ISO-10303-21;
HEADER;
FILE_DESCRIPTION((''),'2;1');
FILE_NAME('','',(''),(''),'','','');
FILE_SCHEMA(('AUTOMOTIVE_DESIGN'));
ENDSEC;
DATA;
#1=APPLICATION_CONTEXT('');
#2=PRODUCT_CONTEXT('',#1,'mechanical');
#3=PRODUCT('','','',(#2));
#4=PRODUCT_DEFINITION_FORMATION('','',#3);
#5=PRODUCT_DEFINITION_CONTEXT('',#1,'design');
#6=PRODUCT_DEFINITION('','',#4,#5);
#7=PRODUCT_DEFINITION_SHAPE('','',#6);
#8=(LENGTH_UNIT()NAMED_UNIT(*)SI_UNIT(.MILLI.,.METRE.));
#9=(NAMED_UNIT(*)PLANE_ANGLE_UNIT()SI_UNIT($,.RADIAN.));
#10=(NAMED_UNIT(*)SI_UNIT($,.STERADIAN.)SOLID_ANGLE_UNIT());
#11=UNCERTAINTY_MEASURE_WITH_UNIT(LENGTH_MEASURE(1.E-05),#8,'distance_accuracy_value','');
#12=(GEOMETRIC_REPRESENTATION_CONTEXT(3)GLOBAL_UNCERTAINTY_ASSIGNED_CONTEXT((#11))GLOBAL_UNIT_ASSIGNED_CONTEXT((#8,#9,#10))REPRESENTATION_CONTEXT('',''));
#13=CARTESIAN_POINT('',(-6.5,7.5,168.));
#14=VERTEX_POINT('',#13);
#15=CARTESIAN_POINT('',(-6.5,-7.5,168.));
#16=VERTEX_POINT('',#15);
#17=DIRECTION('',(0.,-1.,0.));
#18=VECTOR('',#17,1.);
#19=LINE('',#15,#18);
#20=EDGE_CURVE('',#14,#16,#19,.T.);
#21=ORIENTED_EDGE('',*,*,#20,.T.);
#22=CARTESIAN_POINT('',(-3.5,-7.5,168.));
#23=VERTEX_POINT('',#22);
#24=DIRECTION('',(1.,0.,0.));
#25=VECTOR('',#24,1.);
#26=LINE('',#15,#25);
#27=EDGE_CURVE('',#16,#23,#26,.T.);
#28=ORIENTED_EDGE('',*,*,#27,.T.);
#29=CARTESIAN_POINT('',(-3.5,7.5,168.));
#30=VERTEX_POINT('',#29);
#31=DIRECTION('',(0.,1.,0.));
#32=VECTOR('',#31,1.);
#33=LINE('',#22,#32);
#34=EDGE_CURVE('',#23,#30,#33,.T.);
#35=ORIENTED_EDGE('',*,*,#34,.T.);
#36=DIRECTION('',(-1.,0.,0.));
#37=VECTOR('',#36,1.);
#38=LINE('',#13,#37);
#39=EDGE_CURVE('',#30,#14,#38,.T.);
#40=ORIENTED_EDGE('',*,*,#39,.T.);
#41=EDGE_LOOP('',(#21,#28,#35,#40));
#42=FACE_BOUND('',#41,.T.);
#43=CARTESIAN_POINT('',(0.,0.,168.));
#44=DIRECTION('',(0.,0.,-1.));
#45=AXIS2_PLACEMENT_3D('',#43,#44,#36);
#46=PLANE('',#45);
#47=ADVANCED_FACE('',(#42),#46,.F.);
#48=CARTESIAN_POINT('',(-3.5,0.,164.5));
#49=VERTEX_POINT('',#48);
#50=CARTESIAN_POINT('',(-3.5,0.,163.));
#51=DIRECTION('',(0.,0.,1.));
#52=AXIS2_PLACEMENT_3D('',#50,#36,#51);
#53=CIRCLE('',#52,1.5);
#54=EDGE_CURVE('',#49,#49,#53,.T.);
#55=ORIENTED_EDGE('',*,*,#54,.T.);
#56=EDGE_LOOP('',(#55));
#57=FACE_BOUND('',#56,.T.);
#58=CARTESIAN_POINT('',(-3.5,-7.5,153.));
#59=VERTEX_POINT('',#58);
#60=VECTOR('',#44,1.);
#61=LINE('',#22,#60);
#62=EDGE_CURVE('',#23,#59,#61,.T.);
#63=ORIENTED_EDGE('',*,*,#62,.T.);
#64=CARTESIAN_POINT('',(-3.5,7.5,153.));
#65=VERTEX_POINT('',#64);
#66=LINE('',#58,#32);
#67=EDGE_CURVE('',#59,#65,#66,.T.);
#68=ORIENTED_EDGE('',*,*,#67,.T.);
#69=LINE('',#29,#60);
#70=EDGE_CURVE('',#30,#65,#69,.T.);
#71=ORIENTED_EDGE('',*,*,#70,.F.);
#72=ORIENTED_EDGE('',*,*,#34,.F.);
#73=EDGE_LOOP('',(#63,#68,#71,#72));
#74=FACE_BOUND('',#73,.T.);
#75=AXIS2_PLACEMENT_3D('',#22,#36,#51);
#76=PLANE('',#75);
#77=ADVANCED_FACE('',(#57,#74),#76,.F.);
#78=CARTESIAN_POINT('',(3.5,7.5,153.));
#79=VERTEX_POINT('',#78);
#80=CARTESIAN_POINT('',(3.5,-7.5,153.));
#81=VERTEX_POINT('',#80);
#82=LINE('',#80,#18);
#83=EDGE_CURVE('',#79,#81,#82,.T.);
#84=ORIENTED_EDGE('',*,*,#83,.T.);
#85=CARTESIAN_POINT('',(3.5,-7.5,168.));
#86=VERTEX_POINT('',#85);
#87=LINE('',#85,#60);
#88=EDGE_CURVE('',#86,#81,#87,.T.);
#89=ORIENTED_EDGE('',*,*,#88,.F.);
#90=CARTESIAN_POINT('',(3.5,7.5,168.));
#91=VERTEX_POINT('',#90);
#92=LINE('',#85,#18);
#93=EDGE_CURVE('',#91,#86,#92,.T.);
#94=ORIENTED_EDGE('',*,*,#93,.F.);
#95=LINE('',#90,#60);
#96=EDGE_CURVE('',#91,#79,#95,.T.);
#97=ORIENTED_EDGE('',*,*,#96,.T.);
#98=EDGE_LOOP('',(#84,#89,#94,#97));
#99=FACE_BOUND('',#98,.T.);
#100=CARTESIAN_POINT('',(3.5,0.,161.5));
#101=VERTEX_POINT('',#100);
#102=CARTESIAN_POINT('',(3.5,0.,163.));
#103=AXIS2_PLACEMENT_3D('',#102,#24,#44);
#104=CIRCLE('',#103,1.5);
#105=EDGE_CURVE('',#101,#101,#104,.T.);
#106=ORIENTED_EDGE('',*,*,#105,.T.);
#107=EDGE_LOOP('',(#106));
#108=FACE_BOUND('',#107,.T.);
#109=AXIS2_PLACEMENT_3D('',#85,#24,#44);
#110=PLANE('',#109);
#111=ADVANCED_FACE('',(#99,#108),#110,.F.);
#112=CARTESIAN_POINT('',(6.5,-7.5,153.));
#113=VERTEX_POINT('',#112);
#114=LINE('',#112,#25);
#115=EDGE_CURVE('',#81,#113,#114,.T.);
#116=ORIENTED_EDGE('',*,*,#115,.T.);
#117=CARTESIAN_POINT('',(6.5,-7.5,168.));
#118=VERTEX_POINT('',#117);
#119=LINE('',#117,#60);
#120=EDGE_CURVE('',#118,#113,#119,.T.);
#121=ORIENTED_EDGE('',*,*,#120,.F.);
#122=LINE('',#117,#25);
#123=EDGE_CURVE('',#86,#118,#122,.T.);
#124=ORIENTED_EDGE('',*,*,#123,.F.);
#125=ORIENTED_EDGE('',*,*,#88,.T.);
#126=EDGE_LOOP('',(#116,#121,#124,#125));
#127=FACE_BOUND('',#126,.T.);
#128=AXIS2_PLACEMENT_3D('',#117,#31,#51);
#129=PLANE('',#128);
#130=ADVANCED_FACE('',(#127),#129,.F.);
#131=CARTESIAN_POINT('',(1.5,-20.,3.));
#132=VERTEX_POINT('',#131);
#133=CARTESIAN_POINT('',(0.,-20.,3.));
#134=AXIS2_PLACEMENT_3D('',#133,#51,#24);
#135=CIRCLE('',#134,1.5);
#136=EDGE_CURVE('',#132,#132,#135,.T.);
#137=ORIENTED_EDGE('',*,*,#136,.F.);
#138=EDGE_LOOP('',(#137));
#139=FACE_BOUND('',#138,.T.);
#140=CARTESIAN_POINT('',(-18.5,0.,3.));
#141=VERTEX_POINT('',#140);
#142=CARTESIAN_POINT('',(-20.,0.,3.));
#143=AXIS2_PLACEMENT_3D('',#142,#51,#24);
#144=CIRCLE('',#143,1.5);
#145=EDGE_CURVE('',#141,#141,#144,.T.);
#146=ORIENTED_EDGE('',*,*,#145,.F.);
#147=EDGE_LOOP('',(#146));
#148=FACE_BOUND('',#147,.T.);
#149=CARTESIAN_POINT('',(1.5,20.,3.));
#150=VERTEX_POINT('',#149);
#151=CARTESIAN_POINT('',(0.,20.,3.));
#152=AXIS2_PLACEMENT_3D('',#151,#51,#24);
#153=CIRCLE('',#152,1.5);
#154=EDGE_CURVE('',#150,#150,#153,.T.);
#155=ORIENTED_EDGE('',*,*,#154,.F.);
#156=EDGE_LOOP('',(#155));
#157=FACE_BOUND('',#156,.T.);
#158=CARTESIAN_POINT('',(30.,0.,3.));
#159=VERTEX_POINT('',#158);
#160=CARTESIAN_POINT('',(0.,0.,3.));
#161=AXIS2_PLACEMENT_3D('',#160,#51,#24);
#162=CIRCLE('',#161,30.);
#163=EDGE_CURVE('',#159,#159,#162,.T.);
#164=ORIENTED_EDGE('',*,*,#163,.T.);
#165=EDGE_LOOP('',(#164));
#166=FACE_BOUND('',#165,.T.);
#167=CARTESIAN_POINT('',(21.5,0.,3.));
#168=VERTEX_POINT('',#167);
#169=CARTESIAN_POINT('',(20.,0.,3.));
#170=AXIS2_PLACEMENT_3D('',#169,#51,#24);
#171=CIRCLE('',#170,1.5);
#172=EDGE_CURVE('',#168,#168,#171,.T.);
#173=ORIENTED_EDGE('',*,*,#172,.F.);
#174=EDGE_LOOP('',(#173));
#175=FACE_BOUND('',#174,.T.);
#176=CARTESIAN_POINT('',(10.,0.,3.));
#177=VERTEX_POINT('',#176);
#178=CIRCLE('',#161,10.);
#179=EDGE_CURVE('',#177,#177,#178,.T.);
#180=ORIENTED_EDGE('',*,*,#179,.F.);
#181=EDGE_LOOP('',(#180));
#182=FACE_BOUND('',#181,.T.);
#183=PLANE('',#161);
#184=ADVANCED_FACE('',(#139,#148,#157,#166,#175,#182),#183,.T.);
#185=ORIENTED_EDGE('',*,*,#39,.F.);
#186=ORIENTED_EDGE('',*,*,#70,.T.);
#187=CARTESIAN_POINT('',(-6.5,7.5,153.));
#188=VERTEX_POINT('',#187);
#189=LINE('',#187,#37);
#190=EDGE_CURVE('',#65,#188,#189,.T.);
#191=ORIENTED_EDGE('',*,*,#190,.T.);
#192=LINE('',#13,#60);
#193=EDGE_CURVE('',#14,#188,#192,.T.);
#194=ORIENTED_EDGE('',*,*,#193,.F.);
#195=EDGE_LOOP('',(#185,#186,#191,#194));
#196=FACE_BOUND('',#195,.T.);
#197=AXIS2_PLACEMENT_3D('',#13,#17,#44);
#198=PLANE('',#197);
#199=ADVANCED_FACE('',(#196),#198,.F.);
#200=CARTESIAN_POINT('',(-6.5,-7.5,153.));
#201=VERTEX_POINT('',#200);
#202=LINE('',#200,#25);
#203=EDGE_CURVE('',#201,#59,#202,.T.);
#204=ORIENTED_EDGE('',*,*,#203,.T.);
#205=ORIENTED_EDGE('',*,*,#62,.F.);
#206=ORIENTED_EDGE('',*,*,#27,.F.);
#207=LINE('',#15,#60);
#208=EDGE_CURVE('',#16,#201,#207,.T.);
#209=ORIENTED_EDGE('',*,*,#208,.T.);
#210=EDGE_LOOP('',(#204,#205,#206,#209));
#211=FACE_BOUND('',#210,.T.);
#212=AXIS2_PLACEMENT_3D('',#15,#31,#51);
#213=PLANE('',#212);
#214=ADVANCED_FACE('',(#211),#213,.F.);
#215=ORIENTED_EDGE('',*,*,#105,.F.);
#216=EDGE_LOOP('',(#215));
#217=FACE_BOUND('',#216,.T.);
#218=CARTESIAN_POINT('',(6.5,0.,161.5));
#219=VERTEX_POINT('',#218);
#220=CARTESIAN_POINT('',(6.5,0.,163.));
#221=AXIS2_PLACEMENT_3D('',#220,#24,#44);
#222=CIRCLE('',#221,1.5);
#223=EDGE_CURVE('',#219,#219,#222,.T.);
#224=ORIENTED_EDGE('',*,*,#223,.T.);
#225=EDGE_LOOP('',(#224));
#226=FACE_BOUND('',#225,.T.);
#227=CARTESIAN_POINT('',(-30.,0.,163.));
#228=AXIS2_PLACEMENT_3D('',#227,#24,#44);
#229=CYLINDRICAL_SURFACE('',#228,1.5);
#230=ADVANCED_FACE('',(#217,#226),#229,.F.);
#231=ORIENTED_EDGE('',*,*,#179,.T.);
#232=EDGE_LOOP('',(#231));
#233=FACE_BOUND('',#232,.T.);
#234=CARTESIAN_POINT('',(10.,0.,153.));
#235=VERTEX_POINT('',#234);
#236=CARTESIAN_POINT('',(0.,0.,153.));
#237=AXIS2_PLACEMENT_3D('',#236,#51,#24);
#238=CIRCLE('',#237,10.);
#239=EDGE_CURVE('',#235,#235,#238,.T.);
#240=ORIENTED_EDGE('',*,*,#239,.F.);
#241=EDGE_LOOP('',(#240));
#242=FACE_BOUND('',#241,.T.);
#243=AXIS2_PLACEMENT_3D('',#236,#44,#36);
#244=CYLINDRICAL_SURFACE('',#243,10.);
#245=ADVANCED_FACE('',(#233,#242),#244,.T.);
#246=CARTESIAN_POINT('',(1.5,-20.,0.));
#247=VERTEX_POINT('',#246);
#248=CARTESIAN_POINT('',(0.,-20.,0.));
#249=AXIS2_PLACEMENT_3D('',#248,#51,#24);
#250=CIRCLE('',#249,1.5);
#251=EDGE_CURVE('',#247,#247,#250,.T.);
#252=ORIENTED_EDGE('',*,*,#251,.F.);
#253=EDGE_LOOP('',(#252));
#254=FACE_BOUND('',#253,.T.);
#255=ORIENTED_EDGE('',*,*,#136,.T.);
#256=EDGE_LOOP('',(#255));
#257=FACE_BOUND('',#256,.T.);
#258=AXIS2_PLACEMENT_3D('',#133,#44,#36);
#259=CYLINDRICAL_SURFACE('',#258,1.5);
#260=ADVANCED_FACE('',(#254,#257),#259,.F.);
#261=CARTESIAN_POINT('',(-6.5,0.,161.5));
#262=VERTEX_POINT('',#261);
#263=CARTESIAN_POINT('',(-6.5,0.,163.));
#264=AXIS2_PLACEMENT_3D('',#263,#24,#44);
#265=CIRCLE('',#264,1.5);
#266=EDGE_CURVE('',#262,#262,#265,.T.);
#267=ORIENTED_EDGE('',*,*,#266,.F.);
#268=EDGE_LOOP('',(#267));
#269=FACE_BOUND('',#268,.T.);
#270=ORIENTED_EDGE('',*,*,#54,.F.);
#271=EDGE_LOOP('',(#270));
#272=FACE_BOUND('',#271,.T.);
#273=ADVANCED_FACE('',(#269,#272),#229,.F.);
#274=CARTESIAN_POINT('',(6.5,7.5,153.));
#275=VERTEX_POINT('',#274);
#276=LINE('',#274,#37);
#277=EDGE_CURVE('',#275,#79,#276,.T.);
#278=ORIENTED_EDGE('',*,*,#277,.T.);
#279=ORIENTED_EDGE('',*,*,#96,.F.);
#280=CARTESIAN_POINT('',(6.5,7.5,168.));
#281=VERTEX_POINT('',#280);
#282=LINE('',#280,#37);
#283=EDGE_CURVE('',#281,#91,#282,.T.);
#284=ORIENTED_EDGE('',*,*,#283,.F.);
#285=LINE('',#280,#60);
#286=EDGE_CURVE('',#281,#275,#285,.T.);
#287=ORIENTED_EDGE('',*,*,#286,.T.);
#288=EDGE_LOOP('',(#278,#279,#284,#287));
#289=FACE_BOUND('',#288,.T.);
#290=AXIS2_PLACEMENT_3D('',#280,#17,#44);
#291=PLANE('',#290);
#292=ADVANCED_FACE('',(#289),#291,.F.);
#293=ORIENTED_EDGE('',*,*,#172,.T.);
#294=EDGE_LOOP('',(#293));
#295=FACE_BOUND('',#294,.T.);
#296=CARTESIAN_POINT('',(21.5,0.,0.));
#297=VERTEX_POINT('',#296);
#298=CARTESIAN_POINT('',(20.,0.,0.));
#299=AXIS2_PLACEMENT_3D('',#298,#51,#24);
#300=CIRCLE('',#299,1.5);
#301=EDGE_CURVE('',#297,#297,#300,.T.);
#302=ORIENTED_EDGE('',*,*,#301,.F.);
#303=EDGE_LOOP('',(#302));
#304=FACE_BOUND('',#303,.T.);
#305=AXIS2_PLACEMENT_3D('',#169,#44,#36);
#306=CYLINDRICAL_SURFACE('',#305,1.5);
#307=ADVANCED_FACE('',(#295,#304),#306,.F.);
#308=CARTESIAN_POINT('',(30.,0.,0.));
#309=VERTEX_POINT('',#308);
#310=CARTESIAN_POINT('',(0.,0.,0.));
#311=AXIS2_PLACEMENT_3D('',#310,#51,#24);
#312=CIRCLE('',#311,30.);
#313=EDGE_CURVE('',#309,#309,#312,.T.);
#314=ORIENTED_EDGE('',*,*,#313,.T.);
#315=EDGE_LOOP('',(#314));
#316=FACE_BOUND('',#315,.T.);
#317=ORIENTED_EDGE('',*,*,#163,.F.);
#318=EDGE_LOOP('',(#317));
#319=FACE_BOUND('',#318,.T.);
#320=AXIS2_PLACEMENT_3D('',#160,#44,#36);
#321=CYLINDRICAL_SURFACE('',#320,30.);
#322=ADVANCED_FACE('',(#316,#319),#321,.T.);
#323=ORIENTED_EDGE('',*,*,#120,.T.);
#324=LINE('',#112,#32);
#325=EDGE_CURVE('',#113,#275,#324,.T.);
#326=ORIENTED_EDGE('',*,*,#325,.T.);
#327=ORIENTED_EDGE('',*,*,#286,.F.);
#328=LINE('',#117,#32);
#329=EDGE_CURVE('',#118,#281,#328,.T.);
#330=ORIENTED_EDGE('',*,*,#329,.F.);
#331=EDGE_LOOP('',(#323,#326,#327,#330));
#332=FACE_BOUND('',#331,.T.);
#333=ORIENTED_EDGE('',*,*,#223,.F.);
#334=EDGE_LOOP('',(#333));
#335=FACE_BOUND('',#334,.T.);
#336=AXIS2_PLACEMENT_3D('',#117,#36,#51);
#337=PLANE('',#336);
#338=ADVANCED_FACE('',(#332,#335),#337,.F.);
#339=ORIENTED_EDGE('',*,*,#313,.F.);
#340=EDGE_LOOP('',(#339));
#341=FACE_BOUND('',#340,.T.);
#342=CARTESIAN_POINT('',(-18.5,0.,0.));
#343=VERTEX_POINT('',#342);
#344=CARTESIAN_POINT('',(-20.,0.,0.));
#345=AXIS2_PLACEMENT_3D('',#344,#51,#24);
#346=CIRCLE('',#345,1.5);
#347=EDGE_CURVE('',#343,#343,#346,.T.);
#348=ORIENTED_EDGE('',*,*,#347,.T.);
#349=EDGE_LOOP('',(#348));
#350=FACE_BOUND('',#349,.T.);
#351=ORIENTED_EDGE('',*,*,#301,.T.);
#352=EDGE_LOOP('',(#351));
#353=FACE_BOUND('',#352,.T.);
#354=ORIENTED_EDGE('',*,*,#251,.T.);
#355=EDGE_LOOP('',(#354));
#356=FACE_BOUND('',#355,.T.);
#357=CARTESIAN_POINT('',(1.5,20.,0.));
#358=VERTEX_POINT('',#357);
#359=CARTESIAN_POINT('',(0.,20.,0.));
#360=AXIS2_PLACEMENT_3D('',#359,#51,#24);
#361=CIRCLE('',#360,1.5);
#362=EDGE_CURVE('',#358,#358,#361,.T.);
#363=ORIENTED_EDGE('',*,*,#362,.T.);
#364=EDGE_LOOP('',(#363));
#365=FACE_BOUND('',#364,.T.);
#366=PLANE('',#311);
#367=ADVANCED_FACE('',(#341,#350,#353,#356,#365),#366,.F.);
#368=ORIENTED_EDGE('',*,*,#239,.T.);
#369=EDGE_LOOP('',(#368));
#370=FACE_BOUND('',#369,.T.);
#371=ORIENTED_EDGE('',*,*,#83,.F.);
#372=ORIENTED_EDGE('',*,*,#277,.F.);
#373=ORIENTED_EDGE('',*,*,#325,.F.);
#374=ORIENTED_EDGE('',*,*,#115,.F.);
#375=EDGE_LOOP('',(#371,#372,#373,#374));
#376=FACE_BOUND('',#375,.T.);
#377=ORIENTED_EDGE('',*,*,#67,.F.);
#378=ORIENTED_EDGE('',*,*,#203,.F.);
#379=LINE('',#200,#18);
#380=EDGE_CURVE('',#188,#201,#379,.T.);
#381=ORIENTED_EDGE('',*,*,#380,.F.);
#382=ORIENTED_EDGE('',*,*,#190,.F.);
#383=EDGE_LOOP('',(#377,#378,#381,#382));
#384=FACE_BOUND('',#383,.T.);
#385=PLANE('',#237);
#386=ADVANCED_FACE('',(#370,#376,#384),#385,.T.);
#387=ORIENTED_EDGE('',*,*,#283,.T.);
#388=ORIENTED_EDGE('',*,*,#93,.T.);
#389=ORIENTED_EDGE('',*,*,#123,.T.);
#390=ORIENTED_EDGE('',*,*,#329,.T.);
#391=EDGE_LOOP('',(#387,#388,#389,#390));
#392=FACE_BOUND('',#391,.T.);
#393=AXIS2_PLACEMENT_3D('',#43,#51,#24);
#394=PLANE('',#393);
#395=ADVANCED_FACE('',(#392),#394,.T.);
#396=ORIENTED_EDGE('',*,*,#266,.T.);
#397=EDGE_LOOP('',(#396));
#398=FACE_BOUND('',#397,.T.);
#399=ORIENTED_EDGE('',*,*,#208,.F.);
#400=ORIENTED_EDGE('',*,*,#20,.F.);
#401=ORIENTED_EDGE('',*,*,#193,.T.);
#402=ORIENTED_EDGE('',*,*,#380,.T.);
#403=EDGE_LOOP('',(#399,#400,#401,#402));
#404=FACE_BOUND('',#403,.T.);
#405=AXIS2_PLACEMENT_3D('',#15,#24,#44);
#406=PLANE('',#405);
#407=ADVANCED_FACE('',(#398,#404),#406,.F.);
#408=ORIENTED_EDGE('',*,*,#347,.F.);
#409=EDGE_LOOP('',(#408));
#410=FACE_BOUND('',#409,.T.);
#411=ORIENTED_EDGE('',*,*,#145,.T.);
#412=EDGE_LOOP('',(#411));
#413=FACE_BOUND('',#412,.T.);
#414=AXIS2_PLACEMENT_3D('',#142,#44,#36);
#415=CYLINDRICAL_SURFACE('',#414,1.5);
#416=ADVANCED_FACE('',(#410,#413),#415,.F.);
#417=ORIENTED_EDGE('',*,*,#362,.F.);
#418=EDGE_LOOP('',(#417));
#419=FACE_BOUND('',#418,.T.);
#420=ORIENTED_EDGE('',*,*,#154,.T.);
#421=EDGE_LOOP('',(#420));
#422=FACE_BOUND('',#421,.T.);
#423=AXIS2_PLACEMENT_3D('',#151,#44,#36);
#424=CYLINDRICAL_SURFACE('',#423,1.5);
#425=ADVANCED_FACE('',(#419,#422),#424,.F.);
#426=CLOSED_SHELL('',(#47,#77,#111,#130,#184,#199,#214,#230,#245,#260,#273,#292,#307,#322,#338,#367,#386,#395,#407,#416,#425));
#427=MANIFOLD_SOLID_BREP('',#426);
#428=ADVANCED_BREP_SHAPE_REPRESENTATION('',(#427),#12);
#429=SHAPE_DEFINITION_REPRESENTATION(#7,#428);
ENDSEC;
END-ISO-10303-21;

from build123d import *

# Parameters (mm, degrees)
SKETCH_1_R          = 30
SKETCH_1_R_2        = 1.5
EXTRUDE_1_DEPTH     = 3
SKETCH_3_R          = 10
EXTRUDE_3_DEPTH     = 150
SKETCH_4_W          = 3
SKETCH_4_H          = 15
EXTRUDE_4_DEPTH     = 15
SKETCH_5_R          = 1.5
CUT_EXTRUDE_1_DEPTH = 175.51719113


with BuildPart() as part:
    # Эскиз1 → Бобышка-Вытянуть1 (new body)
    with BuildSketch(Plane.XY):
        Circle(SKETCH_1_R)
        with Locations((-20, 0)):
            Circle(SKETCH_1_R_2, mode=Mode.SUBTRACT)
        with Locations((0, -20)):
            Circle(SKETCH_1_R_2, mode=Mode.SUBTRACT)
        with Locations((20, 0)):
            Circle(SKETCH_1_R_2, mode=Mode.SUBTRACT)
        with Locations((0, 20)):
            Circle(SKETCH_1_R_2, mode=Mode.SUBTRACT)
    extrude(amount=EXTRUDE_1_DEPTH)

    # Эскиз3 → Бобышка-Вытянуть3 (add)
    with BuildSketch(Plane.XY.offset(3)):
        Circle(SKETCH_3_R)
    extrude(amount=EXTRUDE_3_DEPTH)

    # Эскиз4 → Бобышка-Вытянуть4 (add)
    with BuildSketch(Plane.XY.offset(153)):
        with Locations((-5, 0)):
            Rectangle(SKETCH_4_W, SKETCH_4_H)
        with Locations((5, 0)):
            Rectangle(SKETCH_4_W, SKETCH_4_H)
    extrude(amount=EXTRUDE_4_DEPTH)

    # Эскиз5 → Вырез-Вытянуть1 (cut, through all)
    with BuildSketch(Plane(origin=(6.5, 0, 0), x_dir=(0, 0, -1), z_dir=(1, 0, 0))):
        with Locations((-163, 0)):
            Circle(SKETCH_5_R)
    extrude(amount=-CUT_EXTRUDE_1_DEPTH, mode=Mode.SUBTRACT)


solid = part.part
